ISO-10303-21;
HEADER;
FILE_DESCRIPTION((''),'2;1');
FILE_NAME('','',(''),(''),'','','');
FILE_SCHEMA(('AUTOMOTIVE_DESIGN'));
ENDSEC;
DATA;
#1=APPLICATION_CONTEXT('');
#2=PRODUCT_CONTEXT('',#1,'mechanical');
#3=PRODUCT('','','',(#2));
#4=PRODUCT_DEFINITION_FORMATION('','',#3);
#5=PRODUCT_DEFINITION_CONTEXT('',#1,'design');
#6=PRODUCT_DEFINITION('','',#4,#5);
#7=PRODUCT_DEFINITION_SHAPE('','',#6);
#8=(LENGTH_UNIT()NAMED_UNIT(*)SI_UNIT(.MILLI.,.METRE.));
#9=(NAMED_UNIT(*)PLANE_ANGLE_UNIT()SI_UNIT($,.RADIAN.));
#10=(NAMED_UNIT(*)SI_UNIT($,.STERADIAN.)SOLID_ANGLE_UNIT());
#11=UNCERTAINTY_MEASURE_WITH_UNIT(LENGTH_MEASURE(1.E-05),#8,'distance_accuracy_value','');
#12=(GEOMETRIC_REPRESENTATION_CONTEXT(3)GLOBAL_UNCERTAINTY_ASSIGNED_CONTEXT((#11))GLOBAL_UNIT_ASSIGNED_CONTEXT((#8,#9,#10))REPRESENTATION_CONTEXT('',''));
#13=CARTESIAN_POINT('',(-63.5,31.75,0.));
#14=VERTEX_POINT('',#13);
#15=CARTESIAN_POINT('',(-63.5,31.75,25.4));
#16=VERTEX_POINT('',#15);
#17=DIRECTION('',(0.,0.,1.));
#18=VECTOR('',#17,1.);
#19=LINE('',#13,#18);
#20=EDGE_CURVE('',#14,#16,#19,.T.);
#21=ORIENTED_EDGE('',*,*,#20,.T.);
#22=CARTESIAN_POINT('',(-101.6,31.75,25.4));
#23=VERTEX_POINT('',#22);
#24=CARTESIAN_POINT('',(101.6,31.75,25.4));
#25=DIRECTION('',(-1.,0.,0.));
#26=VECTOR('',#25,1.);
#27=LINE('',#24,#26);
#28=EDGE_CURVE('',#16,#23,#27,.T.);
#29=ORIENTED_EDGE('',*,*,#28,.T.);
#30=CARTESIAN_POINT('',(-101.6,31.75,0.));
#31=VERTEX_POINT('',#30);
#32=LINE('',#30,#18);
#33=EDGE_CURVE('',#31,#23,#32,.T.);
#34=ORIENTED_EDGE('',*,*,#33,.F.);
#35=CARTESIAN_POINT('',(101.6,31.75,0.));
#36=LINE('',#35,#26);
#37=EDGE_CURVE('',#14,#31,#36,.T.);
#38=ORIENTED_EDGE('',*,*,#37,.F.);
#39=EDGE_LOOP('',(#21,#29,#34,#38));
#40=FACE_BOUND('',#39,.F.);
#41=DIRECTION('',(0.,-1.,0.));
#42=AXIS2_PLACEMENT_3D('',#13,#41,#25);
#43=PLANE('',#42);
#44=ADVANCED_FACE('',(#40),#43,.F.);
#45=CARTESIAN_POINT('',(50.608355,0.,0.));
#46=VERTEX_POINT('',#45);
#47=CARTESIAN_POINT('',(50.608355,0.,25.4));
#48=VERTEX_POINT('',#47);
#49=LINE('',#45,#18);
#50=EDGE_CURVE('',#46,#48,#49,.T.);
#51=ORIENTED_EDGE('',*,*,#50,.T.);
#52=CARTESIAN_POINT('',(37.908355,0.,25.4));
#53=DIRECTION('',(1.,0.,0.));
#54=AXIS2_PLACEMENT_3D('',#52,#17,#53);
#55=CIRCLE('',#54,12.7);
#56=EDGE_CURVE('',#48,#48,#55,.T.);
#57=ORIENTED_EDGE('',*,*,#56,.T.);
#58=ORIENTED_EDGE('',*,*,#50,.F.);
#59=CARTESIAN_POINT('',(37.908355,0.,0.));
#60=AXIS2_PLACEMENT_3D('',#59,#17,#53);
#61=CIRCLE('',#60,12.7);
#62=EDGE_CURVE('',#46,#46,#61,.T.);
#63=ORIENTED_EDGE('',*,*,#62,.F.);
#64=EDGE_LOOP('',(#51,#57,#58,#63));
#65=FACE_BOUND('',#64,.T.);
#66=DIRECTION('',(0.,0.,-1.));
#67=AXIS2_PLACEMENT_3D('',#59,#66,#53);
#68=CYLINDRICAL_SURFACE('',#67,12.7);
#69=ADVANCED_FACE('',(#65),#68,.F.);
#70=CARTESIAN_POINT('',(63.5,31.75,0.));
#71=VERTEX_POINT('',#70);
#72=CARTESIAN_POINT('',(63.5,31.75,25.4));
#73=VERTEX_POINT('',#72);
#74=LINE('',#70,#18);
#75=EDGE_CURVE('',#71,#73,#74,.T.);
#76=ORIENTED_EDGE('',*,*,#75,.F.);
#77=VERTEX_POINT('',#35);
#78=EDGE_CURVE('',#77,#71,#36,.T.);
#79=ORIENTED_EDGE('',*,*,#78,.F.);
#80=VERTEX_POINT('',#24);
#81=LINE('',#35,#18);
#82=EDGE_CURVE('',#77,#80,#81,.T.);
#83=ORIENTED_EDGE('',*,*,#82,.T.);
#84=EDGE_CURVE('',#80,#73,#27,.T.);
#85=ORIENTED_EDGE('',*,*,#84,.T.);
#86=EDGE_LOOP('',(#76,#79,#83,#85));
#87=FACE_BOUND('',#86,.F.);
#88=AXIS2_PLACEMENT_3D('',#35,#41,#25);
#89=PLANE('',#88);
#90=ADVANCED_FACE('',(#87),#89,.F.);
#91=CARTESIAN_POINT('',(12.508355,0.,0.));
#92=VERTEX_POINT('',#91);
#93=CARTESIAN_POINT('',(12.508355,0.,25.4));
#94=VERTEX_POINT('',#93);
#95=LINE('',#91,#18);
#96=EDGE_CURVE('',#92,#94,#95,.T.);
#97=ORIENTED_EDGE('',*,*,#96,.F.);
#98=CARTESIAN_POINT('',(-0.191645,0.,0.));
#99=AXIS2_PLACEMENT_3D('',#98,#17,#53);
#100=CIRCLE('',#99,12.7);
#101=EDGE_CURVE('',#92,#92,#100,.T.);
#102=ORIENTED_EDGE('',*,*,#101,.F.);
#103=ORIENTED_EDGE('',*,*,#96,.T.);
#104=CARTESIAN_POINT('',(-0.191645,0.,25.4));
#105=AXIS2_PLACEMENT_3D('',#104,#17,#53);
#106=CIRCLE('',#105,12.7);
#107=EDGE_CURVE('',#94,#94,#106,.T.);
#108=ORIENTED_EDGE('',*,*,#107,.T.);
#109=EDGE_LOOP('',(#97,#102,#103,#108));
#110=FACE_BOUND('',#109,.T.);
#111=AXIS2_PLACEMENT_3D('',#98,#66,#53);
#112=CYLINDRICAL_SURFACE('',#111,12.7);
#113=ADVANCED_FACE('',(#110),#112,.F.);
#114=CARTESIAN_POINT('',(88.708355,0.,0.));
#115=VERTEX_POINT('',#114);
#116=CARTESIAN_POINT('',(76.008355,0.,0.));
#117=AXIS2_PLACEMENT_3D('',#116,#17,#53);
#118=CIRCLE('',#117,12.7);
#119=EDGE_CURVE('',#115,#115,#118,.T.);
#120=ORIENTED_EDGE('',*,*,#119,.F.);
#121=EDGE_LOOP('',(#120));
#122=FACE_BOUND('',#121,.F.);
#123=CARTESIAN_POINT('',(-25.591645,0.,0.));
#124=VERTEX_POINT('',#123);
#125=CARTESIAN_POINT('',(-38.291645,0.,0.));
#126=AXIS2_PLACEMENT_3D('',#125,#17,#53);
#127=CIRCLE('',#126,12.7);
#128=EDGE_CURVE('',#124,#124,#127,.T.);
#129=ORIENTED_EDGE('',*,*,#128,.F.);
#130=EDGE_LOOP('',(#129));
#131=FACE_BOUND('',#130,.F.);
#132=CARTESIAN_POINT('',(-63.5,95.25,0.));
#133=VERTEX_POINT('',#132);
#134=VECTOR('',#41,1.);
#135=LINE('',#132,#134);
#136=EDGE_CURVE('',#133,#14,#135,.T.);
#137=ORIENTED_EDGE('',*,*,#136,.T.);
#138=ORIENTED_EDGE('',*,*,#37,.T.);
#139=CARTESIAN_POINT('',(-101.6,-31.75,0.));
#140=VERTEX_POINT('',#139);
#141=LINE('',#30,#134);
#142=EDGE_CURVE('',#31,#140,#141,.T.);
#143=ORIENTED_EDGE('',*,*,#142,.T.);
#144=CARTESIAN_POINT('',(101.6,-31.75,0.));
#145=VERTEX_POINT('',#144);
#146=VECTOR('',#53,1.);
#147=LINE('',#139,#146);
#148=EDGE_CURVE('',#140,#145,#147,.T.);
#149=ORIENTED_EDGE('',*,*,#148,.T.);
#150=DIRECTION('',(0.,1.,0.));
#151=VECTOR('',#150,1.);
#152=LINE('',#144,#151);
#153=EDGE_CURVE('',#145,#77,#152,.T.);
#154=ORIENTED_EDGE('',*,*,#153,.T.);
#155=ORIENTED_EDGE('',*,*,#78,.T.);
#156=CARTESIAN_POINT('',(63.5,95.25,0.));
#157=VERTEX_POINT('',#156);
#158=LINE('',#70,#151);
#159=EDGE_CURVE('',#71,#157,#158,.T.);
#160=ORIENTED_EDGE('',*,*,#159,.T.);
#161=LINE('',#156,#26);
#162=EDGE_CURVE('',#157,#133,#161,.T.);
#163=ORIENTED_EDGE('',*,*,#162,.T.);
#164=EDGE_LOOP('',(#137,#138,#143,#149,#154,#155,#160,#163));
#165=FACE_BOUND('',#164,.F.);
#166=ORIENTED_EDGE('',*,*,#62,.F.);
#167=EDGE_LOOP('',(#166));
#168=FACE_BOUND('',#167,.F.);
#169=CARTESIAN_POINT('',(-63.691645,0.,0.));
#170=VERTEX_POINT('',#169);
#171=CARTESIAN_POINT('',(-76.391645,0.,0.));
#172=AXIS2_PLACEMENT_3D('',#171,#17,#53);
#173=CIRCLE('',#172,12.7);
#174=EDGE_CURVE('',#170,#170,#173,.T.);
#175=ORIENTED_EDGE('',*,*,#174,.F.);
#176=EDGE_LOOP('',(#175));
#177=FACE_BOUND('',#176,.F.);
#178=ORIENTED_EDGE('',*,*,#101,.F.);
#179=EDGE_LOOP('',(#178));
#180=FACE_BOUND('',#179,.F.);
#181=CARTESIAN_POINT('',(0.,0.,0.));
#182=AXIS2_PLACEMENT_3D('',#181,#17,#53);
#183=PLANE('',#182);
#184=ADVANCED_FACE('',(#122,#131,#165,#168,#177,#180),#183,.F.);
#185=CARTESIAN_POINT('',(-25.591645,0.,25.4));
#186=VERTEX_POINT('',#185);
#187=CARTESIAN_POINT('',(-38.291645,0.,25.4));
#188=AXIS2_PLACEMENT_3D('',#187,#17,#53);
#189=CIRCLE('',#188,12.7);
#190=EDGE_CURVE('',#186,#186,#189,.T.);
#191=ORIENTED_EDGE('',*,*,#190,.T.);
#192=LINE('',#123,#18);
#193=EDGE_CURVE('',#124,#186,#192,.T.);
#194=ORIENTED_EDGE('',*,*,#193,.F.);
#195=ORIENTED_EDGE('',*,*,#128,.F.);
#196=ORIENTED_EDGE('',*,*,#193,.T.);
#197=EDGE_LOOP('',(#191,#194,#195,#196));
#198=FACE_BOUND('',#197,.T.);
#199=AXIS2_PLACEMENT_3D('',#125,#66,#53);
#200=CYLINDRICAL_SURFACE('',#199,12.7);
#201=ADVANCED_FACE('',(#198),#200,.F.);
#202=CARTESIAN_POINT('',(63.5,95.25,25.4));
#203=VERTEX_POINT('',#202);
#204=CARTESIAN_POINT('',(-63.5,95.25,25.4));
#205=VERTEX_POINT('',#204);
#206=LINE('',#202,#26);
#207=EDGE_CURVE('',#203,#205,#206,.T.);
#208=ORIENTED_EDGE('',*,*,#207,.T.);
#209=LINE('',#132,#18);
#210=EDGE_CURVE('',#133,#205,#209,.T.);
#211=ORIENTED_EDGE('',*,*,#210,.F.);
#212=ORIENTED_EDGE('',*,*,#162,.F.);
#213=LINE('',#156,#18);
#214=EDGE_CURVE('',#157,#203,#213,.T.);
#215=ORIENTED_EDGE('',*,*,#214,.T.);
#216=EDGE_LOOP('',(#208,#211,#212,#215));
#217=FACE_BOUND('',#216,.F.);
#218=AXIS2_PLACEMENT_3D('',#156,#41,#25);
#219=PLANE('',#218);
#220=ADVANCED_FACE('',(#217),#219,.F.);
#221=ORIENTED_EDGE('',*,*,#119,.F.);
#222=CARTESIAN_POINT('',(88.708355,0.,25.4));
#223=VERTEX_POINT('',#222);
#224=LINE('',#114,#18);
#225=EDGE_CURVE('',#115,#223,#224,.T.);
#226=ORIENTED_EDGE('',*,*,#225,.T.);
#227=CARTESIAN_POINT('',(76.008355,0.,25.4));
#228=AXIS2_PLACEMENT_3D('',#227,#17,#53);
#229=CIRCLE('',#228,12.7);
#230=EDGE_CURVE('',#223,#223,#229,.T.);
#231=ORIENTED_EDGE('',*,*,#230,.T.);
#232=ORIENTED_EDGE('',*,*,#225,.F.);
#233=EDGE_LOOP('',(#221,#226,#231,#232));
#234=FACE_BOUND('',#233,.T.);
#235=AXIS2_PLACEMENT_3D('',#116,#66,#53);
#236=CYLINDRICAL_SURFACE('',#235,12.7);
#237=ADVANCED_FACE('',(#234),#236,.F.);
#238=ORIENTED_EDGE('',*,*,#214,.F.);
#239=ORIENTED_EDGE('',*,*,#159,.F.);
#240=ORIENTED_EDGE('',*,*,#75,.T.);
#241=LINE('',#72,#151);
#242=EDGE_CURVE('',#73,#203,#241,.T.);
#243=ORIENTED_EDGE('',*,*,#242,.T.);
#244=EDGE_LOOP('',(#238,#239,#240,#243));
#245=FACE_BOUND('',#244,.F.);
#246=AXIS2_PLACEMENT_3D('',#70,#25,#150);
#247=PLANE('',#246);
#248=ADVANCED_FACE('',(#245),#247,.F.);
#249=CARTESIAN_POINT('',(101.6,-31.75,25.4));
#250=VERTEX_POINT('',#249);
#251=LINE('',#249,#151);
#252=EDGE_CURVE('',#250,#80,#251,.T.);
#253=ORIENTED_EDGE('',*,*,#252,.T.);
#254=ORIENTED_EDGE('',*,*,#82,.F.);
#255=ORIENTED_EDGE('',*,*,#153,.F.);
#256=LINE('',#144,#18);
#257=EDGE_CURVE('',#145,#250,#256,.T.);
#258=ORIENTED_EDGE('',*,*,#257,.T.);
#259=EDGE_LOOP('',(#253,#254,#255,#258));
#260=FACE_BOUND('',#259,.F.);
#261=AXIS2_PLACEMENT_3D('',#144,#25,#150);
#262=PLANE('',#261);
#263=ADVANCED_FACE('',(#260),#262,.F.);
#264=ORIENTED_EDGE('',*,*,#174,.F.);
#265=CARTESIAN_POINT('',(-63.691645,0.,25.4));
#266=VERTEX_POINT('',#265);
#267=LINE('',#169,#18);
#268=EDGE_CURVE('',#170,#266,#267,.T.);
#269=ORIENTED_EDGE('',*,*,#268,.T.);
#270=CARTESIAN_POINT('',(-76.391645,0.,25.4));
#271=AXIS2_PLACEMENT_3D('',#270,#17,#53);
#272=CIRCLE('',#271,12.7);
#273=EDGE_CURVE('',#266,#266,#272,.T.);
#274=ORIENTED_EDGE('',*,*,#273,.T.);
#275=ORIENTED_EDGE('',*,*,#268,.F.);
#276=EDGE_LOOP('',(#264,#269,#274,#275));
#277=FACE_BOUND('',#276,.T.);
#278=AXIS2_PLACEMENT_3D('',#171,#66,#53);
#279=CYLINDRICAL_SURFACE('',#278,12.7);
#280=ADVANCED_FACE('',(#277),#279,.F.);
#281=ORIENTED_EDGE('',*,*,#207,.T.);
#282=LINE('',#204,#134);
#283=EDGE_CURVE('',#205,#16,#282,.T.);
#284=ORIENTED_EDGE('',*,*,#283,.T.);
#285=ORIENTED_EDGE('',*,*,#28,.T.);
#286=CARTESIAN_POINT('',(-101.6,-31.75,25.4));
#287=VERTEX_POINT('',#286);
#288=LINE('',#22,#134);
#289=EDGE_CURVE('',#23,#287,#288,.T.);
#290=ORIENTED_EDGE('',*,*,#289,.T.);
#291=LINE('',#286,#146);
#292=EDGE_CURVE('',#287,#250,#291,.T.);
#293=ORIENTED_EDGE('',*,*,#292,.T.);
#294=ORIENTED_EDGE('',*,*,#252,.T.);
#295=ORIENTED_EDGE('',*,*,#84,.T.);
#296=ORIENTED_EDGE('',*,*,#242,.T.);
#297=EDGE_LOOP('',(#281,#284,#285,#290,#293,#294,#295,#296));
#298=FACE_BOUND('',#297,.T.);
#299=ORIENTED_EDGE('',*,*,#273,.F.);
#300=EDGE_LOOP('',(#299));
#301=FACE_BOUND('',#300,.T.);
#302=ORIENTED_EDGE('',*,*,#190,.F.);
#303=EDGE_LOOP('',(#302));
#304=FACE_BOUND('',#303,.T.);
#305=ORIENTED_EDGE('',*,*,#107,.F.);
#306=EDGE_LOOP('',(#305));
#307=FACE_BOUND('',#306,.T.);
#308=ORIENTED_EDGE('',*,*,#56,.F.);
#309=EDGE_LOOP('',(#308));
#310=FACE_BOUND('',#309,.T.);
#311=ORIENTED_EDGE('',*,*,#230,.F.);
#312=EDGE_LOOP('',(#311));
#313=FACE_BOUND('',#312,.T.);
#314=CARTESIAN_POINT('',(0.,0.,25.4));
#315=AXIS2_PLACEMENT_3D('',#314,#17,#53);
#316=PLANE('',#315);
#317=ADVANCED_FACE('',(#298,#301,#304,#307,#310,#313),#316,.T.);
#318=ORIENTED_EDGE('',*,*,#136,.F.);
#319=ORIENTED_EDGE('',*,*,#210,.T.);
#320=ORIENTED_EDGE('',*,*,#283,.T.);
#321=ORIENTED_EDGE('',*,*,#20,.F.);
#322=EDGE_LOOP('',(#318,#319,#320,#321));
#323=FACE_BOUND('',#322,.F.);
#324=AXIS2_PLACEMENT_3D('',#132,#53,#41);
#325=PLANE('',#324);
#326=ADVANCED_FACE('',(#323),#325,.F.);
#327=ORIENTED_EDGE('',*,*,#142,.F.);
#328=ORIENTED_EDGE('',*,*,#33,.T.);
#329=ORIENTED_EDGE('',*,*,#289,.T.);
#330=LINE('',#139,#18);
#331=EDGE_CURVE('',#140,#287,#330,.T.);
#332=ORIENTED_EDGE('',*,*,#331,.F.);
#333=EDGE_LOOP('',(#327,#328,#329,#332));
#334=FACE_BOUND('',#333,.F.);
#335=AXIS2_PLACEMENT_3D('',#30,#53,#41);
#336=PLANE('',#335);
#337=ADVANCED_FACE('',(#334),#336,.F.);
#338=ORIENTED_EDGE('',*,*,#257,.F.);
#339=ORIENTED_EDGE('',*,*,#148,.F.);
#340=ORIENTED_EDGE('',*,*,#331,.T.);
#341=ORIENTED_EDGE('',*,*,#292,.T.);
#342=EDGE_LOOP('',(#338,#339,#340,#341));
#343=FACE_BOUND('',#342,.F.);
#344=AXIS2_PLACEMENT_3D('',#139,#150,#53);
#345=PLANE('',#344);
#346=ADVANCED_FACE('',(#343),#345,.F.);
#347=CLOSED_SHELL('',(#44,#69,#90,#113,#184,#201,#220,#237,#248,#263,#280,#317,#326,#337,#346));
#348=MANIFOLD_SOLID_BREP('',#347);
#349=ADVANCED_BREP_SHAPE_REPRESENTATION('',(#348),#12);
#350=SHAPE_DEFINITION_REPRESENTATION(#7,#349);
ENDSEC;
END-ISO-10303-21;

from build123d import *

# Parameters (mm, degrees)
F0_R     = 12.7
F1_DEPTH = 25.4


with BuildPart() as f1:
    # F0 (on Top) → F1 (new body)
    with BuildSketch(Plane.XY):
        Polygon((101.6, -31.75), (101.6, 31.75), (63.5, 31.75), (0, 31.75), (-63.5, 31.75), (-101.6, 31.75), (-101.6, -31.75), align=None)
        with Locations((-76.391645, 0)):
            Circle(F0_R, mode=Mode.SUBTRACT)
        with Locations((-38.291645, 0)):
            Circle(F0_R, mode=Mode.SUBTRACT)
        with Locations((-0.191645, 0)):
            Circle(F0_R, mode=Mode.SUBTRACT)
        with Locations((37.908355, 0)):
            Circle(F0_R, mode=Mode.SUBTRACT)
        with Locations((76.008355, 0)):
            Circle(F0_R, mode=Mode.SUBTRACT)
        Polygon((0, 31.75), (63.5, 31.75), (63.5, 95.25), (-63.5, 95.25), (-63.5, 31.75), align=None)
    extrude(amount=F1_DEPTH)


solid = f1.part
